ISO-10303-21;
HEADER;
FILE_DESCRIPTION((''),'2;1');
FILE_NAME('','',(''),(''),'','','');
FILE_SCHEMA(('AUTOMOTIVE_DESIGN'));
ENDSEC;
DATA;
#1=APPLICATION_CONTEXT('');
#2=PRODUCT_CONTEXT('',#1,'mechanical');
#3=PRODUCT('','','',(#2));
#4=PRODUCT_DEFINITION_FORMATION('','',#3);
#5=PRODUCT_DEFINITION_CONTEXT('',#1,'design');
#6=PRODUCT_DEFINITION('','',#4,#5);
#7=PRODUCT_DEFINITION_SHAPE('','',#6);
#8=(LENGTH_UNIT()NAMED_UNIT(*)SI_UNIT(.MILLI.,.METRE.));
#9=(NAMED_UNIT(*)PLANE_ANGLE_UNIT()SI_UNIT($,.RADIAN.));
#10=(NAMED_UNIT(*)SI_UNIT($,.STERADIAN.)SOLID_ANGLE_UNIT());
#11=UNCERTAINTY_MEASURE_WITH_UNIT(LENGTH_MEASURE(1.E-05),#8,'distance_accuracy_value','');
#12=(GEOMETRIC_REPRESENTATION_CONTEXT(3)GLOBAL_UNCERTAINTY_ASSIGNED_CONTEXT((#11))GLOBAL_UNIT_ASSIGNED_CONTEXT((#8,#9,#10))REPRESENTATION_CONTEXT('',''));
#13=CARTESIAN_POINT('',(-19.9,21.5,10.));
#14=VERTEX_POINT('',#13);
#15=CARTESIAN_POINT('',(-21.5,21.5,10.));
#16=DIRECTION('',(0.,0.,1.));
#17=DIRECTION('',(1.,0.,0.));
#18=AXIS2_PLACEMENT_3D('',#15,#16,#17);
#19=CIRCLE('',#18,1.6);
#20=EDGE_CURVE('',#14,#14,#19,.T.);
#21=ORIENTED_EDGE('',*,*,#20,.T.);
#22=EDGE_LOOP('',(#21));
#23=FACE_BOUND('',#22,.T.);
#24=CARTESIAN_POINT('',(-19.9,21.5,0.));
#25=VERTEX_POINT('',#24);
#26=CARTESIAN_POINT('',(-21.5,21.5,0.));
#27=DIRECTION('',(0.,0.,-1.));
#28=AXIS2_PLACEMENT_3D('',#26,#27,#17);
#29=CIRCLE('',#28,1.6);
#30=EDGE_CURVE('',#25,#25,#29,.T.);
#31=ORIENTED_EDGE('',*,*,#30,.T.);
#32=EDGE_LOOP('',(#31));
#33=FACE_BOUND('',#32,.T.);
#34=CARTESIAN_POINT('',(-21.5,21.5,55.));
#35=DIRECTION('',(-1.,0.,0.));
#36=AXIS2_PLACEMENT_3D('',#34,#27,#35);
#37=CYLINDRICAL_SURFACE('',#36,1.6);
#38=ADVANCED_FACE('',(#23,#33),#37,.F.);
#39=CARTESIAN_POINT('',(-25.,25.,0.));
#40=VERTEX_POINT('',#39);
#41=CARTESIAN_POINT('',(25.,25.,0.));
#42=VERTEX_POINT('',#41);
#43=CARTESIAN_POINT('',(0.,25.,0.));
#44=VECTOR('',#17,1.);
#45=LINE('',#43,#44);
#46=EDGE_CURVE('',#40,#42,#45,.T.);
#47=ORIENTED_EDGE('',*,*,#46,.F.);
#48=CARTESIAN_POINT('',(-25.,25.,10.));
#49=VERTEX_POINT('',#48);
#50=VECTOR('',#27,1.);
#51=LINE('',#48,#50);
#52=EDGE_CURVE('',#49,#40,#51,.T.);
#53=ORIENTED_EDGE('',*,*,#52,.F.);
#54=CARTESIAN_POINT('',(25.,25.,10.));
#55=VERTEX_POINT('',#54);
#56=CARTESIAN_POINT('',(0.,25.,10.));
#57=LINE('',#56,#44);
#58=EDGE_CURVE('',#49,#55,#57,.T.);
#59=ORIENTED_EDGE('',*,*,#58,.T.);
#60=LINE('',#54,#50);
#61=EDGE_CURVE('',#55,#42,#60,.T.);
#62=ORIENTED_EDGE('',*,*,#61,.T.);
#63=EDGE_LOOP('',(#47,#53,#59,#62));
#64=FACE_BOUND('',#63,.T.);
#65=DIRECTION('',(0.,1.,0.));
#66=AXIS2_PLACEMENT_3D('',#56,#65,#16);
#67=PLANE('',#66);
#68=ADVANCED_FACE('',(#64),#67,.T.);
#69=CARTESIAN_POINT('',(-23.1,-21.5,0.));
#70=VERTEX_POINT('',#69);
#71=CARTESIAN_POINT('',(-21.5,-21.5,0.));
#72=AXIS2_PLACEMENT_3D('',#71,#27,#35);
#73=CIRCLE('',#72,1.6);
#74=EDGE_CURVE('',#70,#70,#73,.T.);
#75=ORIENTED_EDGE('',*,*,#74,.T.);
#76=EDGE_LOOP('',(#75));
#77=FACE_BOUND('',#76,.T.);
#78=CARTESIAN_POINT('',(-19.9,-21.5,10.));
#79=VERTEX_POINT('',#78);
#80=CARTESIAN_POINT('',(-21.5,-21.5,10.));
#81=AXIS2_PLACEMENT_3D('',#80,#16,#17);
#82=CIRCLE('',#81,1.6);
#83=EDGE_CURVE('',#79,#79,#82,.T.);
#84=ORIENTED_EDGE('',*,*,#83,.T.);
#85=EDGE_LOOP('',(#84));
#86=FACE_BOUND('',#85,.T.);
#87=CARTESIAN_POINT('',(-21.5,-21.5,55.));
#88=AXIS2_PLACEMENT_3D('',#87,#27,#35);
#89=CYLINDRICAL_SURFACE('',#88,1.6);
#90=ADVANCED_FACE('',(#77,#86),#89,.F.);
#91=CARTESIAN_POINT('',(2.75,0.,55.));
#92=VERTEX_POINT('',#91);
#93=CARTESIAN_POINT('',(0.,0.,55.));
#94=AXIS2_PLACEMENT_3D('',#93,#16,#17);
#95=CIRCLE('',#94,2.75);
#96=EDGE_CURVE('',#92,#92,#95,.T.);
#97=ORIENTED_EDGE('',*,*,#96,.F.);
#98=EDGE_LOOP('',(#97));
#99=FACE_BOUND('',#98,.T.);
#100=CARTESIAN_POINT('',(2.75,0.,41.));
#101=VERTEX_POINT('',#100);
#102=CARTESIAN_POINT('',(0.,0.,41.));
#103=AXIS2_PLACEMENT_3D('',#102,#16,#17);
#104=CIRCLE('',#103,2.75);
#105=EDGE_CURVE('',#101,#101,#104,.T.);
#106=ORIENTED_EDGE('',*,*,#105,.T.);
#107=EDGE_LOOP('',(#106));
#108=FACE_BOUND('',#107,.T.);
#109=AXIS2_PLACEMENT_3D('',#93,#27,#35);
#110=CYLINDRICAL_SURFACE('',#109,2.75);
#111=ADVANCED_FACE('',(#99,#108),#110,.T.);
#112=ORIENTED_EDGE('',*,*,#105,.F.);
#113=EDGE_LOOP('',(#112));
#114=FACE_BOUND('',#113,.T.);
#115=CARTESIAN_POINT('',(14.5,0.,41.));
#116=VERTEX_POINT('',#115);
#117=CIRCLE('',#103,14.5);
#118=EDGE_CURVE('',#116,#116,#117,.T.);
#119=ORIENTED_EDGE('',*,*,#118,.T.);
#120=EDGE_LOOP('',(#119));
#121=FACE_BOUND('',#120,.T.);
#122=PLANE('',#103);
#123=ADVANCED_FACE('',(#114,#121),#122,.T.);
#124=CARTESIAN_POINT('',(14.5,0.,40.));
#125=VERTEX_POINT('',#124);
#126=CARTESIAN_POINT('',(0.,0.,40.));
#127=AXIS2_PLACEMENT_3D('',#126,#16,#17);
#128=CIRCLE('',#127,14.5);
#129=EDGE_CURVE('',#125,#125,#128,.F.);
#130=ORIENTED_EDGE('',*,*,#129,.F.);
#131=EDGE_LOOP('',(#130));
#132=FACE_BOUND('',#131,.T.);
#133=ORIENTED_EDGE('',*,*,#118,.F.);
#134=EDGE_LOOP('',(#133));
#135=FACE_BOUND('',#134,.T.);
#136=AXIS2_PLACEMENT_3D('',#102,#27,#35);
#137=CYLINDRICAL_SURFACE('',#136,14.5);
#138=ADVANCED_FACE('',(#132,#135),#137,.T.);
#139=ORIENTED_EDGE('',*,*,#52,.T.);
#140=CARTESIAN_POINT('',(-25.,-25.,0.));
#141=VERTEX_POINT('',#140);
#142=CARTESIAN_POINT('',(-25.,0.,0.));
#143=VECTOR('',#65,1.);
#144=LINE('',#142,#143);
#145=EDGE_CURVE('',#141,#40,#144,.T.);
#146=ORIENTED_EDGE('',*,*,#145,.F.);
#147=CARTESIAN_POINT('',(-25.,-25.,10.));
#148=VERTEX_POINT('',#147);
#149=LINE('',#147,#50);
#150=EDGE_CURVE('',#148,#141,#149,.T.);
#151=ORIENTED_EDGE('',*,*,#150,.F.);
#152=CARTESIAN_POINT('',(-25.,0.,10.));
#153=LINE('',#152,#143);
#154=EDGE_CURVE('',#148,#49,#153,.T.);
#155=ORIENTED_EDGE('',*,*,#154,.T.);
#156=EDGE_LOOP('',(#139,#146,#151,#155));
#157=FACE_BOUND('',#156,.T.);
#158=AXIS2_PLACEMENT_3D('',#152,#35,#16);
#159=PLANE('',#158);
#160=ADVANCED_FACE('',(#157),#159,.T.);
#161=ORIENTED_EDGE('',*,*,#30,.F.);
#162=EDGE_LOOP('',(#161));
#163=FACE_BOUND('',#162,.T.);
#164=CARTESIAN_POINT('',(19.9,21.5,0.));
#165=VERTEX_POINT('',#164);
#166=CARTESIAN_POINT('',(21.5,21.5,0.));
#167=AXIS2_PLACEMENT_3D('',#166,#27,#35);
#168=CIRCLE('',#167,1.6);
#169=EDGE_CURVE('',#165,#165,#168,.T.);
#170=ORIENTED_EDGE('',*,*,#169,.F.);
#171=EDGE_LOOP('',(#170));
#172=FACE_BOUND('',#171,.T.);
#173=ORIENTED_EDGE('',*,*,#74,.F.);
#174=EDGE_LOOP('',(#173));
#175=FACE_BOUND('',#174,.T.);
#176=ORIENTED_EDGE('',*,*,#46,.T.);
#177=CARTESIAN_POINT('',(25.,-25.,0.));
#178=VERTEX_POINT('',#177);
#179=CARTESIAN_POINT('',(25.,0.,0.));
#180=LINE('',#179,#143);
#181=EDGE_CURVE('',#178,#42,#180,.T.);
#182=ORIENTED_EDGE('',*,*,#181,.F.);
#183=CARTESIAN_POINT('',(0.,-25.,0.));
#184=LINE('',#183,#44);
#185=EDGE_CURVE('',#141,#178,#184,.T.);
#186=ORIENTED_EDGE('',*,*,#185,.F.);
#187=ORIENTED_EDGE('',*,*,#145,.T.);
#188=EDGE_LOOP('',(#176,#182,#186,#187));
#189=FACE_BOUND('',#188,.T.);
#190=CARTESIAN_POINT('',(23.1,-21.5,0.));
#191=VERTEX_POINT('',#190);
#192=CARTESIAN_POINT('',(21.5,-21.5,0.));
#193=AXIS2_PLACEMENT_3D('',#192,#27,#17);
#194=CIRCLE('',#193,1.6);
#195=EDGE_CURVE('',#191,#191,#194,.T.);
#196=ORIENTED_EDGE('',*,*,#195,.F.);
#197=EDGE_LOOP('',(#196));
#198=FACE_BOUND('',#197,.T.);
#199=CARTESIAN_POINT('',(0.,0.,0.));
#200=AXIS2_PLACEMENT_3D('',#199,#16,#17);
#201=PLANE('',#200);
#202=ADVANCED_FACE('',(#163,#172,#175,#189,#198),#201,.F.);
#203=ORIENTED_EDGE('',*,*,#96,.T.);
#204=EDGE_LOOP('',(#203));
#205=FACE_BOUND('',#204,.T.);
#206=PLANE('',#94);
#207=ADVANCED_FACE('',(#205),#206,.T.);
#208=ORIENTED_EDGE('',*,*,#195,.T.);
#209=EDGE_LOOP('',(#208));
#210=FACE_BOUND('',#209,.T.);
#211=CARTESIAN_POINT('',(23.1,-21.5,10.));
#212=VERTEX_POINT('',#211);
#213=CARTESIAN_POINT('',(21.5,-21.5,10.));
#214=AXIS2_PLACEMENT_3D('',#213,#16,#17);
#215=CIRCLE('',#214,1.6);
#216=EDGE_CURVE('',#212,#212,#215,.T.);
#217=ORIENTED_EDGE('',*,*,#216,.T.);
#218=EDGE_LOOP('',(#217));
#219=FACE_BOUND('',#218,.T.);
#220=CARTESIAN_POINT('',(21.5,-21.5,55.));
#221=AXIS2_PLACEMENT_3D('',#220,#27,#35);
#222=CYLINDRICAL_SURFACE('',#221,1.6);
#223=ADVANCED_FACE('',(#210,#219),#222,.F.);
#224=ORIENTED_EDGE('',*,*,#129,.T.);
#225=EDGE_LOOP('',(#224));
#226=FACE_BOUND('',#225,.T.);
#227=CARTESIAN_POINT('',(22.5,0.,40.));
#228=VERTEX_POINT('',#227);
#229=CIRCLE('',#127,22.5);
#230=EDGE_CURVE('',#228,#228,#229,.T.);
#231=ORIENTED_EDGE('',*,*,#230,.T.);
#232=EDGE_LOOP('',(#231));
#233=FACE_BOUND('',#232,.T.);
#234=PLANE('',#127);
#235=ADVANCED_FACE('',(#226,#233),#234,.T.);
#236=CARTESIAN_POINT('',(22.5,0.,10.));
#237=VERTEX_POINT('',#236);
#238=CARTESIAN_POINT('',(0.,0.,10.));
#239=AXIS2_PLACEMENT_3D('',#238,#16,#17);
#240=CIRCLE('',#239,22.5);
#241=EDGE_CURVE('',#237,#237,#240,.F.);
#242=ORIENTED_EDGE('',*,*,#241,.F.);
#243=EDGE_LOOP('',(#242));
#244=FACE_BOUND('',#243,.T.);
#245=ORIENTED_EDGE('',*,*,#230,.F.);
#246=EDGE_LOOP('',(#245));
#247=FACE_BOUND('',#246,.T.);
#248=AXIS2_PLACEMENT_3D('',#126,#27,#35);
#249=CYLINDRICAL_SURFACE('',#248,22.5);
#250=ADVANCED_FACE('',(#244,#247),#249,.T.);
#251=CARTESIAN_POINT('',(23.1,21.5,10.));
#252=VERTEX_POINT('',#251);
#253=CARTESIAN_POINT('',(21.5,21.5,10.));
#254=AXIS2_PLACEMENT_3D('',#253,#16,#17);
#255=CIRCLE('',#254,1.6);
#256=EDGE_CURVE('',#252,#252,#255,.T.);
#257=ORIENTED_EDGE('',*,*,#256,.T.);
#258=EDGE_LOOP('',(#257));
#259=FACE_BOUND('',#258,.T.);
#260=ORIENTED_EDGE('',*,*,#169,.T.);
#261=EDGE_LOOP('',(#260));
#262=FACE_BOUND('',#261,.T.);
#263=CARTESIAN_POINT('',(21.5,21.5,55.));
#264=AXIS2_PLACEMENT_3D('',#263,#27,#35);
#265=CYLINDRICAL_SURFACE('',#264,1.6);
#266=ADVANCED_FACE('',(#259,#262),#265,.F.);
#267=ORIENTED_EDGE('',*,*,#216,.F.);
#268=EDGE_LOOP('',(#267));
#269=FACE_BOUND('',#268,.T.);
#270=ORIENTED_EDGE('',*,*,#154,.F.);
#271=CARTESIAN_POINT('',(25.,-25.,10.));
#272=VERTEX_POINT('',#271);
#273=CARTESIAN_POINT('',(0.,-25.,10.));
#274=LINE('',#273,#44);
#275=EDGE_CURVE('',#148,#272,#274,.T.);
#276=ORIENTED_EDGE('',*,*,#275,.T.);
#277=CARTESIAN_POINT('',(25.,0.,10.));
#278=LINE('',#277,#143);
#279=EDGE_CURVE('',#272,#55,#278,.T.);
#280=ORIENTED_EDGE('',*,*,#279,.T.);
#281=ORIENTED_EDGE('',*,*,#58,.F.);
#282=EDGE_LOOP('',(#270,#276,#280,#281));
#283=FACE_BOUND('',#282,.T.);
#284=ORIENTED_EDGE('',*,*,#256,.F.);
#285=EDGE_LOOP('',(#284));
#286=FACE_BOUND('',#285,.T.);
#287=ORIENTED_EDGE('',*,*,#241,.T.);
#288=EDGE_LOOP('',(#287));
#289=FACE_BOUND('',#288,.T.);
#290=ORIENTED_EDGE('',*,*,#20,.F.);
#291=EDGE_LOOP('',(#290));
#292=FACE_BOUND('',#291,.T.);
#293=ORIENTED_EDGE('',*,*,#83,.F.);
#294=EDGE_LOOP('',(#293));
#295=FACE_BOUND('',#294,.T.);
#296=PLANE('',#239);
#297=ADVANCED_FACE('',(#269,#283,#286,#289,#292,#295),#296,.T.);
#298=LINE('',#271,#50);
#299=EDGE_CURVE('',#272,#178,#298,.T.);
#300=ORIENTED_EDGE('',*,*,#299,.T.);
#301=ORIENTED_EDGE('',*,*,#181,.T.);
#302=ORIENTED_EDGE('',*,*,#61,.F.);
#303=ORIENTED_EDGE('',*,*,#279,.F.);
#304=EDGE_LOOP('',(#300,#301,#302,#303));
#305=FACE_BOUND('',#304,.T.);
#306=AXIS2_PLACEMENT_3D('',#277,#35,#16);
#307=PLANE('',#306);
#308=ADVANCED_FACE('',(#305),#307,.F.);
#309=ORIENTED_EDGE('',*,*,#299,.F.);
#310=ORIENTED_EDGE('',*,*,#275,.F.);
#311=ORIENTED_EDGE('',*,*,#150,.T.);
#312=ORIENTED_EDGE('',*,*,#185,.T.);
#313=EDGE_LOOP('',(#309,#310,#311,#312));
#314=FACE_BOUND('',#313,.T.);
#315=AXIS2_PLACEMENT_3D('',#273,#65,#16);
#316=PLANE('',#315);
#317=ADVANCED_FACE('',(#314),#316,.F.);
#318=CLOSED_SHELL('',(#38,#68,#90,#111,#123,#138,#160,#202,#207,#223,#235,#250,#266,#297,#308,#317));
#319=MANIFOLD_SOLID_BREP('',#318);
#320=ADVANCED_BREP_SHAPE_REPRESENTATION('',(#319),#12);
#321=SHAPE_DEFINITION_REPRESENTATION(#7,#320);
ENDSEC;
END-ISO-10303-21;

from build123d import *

# Parameters (mm, degrees)
SKETCH2_W           = 50
SKETCH2_H           = 50
BOSS_EXTRUDE1_DEPTH = 10
SKETCH2_3_R         = 22.5
BOSS_EXTRUDE2_DEPTH = 40
SKETCH2_4_R         = 14.5
SKETCH2_4_R_2       = 2.75
BOSS_EXTRUDE3_DEPTH = 41
SKETCH2_5_R         = 2.75
BOSS_EXTRUDE4_DEPTH = 55
SKETCH4_R           = 1.6
CUT_EXTRUDE1_DEPTH  = 66.383484153


with BuildPart() as part:
    # Sketch2 → Boss-Extrude1 (new body)
    with BuildSketch(Plane.XY):
        Rectangle(SKETCH2_W, SKETCH2_H)
    extrude(amount=BOSS_EXTRUDE1_DEPTH)

    # Sketch2<3> → Boss-Extrude2 (add)
    with BuildSketch(Plane.XY):
        Circle(SKETCH2_3_R)
    extrude(amount=BOSS_EXTRUDE2_DEPTH)

    # Sketch2<4> → Boss-Extrude3 (add)
    with BuildSketch(Plane.XY):
        Circle(SKETCH2_4_R)
        Circle(SKETCH2_4_R_2, mode=Mode.SUBTRACT)
    extrude(amount=BOSS_EXTRUDE3_DEPTH)

    # Sketch2<5> → Boss-Extrude4 (add)
    with BuildSketch(Plane.XY):
        Circle(SKETCH2_5_R)
    extrude(amount=BOSS_EXTRUDE4_DEPTH)

    # Sketch4 → Cut-Extrude1 (cut, through all)
    with BuildSketch(Plane(origin=(0, 0, 0), x_dir=(-1, 0, 0), z_dir=(0, 0, -1))):
        with Locations((-21.5, 21.5)):
            Circle(SKETCH4_R)
        with Locations((-21.5, -21.5)):
            Circle(SKETCH4_R)
        with Locations((21.5, -21.5)):
            Circle(SKETCH4_R)
        with Locations((21.5, 21.5)):
            Circle(SKETCH4_R)
    extrude(amount=-CUT_EXTRUDE1_DEPTH, mode=Mode.SUBTRACT)


solid = part.part
